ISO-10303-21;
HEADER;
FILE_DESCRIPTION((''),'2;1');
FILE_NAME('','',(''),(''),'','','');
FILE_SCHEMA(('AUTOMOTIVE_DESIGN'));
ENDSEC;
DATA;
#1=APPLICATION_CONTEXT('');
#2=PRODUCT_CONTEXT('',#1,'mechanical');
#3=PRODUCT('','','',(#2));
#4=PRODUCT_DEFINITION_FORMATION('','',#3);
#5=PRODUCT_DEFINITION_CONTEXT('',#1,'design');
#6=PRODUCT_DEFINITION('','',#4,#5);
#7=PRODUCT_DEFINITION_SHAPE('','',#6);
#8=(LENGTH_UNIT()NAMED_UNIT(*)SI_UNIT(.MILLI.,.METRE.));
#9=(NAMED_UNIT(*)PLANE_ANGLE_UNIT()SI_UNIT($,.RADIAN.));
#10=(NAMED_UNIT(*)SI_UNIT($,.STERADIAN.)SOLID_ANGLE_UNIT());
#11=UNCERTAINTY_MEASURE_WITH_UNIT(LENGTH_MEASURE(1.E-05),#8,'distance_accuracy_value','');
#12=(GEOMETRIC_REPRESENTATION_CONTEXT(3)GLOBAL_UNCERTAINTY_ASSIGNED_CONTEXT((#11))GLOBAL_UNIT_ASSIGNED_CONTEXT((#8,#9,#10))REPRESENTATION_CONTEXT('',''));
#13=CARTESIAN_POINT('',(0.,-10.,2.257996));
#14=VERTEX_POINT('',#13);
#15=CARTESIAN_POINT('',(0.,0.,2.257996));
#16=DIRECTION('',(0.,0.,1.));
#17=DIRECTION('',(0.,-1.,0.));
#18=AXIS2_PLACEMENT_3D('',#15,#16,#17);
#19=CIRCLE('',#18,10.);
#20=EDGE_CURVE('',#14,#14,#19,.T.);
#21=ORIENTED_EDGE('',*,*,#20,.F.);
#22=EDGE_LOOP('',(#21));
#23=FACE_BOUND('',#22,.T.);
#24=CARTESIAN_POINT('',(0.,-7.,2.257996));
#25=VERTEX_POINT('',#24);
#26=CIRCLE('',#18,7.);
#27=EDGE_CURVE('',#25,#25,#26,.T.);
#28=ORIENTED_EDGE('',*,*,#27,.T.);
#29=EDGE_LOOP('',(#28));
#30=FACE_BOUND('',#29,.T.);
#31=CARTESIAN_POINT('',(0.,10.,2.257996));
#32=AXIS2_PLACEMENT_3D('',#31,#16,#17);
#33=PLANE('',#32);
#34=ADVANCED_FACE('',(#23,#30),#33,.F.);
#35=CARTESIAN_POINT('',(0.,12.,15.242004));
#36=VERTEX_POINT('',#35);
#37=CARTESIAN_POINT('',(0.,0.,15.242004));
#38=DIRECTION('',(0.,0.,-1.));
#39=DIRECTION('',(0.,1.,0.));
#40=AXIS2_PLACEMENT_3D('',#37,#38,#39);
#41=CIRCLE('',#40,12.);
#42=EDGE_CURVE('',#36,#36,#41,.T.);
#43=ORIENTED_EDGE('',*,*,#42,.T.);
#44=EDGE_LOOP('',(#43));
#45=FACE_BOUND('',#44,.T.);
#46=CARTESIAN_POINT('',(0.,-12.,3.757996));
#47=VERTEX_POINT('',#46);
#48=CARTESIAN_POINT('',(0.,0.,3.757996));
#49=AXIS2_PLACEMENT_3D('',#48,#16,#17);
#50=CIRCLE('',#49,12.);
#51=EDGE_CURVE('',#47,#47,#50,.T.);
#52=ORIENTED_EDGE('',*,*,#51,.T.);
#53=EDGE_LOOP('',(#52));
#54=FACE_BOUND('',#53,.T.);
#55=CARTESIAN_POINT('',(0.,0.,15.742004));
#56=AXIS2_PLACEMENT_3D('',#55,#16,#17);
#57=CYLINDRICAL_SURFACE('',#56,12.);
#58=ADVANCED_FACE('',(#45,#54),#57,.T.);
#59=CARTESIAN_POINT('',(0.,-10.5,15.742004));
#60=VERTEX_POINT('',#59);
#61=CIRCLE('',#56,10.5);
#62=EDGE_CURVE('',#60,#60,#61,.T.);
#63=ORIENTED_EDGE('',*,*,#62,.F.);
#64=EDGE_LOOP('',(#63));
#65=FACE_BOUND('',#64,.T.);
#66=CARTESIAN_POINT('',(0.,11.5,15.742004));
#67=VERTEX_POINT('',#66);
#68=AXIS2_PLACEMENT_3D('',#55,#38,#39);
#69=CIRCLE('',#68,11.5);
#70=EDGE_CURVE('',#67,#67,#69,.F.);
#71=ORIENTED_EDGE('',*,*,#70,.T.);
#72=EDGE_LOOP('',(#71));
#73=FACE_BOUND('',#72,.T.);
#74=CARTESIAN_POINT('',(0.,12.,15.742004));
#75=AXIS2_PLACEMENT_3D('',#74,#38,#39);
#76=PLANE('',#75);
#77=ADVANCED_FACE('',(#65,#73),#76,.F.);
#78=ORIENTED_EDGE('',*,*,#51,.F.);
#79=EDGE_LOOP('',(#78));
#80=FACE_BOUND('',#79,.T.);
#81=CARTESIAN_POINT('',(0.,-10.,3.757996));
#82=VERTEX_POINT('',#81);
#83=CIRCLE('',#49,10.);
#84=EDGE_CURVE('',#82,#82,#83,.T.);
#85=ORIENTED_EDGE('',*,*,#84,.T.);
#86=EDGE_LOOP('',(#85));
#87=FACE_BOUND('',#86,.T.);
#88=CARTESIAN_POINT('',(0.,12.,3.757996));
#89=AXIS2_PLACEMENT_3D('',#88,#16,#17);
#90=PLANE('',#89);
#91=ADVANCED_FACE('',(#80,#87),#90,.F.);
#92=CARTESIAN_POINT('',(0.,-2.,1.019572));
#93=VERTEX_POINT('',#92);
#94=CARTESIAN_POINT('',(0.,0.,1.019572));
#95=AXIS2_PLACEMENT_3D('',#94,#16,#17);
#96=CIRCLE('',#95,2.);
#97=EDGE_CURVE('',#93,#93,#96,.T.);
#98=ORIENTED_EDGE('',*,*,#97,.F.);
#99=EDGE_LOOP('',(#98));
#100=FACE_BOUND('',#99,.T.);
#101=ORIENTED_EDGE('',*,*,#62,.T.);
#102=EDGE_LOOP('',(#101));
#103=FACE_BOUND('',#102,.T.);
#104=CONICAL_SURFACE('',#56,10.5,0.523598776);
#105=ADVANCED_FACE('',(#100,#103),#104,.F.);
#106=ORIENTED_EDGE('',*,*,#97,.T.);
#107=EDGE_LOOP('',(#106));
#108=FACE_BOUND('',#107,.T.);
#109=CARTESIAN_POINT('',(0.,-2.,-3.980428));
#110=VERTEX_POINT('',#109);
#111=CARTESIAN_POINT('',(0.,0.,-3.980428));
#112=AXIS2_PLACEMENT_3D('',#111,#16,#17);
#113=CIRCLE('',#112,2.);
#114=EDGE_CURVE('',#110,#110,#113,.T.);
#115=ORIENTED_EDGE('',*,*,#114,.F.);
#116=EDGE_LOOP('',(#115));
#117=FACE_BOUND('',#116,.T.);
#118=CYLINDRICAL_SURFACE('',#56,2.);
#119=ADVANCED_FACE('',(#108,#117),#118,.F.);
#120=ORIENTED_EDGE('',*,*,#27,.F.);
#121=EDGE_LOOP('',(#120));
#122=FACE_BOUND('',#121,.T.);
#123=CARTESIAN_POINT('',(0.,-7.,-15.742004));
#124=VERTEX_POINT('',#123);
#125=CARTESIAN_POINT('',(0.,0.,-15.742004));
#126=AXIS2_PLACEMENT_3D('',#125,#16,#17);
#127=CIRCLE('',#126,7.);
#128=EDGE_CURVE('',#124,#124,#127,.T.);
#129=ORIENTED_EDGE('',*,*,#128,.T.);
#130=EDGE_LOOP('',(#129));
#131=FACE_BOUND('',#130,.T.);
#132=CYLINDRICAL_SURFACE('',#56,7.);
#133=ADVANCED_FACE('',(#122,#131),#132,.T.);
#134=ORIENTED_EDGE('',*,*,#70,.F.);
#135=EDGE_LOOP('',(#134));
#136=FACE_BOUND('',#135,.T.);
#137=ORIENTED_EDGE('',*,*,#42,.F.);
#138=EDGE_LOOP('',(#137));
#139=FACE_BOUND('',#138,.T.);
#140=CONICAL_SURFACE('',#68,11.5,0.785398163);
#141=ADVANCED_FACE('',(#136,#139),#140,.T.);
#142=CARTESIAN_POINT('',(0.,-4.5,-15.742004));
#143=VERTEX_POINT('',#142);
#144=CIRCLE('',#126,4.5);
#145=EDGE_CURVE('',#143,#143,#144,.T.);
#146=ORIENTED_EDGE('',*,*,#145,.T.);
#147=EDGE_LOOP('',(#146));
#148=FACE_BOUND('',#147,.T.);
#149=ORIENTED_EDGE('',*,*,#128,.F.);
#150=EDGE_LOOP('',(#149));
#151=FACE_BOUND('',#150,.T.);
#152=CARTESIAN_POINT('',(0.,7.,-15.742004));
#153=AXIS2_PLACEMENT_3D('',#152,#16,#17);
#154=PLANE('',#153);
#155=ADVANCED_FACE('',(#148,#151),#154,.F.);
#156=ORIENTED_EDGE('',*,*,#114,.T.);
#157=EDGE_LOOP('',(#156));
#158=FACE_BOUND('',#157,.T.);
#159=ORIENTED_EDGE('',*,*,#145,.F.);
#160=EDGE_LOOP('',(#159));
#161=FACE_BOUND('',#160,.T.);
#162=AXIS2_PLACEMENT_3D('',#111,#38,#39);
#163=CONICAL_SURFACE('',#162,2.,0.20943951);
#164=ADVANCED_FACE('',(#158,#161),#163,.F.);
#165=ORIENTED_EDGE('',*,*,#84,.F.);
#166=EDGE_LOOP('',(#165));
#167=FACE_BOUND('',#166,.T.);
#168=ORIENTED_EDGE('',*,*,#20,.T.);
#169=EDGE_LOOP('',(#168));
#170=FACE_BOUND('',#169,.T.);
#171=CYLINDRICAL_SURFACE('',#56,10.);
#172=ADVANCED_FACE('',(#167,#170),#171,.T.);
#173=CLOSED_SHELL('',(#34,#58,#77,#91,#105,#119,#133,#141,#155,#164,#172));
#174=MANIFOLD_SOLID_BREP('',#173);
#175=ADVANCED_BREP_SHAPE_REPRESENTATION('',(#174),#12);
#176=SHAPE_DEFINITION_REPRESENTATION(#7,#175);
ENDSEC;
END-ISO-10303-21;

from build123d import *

# Parameters (mm, degrees)
CHANFREIN1_SIZE = 0.5


with BuildPart() as part:
    # Esquisse1 → Révolution1 (revolve)
    with BuildSketch(Plane(origin=(0, 0, 0), x_dir=(0, 0, -1), z_dir=(1, 0, 0))):
        Polygon((15.742003569, 4.5), (3.980428295, 2), (-1.019571705, 2), (-15.742003569, 10.5), (-15.742003569, 12), (-3.757996431, 12), (-3.757996431, 10), (-2.257996431, 10), (-2.257996431, 7), (15.742003569, 7), align=None)
    revolve(axis=Axis((0, 0, 15.742003569), (0, 0, -1)))

    # Chanfrein1
    chanfrein1_edges = [part.edges().sort_by_distance(p)[0] for p in [
        (0, -12, 15.742003569),
    ]]
    chamfer(chanfrein1_edges, length=CHANFREIN1_SIZE)


solid = part.part
